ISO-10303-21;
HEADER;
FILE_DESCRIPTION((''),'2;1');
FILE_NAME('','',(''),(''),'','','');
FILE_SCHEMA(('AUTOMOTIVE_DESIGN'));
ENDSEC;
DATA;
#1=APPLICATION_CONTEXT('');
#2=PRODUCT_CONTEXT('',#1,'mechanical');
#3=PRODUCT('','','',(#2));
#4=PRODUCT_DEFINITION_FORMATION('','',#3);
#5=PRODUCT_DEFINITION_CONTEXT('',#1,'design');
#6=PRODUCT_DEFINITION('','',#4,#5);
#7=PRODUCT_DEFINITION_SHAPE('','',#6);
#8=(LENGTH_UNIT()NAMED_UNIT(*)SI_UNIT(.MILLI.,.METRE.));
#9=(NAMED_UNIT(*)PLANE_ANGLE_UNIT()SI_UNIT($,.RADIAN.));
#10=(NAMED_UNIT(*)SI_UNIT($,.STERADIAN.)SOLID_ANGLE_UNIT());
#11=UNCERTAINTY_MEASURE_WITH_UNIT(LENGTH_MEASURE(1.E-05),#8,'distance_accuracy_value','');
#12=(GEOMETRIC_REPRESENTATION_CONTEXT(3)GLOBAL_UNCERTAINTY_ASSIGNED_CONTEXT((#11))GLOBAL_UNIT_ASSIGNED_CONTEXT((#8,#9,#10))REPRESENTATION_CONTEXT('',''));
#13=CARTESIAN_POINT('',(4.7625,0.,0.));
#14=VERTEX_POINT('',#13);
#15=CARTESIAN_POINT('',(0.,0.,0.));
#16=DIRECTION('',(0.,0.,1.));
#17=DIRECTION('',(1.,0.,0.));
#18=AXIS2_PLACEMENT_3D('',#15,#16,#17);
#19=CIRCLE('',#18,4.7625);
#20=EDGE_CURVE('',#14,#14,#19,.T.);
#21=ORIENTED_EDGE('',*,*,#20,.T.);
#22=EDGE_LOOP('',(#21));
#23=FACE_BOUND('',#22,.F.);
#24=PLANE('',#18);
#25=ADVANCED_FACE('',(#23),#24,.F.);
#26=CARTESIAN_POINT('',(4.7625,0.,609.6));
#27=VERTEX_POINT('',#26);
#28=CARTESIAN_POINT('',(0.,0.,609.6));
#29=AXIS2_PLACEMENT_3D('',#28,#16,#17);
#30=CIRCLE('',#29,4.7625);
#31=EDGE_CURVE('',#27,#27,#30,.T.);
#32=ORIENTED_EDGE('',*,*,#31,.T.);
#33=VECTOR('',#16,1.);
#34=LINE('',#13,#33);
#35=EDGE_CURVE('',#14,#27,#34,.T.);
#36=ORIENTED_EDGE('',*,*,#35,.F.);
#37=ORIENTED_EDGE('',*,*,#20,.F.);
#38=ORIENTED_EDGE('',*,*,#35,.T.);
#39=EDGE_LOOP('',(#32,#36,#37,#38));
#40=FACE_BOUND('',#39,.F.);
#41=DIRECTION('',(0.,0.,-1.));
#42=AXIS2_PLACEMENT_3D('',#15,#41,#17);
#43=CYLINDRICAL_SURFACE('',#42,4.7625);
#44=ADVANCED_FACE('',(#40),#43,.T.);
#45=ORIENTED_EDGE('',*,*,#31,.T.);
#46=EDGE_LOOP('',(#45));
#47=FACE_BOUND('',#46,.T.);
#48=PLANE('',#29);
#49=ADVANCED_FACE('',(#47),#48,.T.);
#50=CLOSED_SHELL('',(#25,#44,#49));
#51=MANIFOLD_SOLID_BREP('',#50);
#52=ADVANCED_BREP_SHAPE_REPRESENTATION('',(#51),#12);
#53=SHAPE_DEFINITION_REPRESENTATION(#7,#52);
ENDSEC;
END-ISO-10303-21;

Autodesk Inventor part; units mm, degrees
ref_plane "YZ Plane" through (0, 0, 0) normal (1, 0, 0) x (0, 1, 0)
ref_plane "XZ Plane" through (0, 0, 0) normal (0, 1, 0) x (-1, 0, 0)
ref_plane "XY Plane" through (0, 0, 0) normal (0, 0, 1) x (1, 0, 0)
sketch "Sketch1" plane through (0, 0, 0) normal (0, 0, 1) x (1, 0, 0)
  circle A0 centre (0, 0) radius 4.7625
  dimension "d0" = 9.525
extrude "Extrusion1" add sketch "Sketch1" along normal blind 609.6
properties part number "3-8 Shooter Shaft" material "Steel, Carbon"
